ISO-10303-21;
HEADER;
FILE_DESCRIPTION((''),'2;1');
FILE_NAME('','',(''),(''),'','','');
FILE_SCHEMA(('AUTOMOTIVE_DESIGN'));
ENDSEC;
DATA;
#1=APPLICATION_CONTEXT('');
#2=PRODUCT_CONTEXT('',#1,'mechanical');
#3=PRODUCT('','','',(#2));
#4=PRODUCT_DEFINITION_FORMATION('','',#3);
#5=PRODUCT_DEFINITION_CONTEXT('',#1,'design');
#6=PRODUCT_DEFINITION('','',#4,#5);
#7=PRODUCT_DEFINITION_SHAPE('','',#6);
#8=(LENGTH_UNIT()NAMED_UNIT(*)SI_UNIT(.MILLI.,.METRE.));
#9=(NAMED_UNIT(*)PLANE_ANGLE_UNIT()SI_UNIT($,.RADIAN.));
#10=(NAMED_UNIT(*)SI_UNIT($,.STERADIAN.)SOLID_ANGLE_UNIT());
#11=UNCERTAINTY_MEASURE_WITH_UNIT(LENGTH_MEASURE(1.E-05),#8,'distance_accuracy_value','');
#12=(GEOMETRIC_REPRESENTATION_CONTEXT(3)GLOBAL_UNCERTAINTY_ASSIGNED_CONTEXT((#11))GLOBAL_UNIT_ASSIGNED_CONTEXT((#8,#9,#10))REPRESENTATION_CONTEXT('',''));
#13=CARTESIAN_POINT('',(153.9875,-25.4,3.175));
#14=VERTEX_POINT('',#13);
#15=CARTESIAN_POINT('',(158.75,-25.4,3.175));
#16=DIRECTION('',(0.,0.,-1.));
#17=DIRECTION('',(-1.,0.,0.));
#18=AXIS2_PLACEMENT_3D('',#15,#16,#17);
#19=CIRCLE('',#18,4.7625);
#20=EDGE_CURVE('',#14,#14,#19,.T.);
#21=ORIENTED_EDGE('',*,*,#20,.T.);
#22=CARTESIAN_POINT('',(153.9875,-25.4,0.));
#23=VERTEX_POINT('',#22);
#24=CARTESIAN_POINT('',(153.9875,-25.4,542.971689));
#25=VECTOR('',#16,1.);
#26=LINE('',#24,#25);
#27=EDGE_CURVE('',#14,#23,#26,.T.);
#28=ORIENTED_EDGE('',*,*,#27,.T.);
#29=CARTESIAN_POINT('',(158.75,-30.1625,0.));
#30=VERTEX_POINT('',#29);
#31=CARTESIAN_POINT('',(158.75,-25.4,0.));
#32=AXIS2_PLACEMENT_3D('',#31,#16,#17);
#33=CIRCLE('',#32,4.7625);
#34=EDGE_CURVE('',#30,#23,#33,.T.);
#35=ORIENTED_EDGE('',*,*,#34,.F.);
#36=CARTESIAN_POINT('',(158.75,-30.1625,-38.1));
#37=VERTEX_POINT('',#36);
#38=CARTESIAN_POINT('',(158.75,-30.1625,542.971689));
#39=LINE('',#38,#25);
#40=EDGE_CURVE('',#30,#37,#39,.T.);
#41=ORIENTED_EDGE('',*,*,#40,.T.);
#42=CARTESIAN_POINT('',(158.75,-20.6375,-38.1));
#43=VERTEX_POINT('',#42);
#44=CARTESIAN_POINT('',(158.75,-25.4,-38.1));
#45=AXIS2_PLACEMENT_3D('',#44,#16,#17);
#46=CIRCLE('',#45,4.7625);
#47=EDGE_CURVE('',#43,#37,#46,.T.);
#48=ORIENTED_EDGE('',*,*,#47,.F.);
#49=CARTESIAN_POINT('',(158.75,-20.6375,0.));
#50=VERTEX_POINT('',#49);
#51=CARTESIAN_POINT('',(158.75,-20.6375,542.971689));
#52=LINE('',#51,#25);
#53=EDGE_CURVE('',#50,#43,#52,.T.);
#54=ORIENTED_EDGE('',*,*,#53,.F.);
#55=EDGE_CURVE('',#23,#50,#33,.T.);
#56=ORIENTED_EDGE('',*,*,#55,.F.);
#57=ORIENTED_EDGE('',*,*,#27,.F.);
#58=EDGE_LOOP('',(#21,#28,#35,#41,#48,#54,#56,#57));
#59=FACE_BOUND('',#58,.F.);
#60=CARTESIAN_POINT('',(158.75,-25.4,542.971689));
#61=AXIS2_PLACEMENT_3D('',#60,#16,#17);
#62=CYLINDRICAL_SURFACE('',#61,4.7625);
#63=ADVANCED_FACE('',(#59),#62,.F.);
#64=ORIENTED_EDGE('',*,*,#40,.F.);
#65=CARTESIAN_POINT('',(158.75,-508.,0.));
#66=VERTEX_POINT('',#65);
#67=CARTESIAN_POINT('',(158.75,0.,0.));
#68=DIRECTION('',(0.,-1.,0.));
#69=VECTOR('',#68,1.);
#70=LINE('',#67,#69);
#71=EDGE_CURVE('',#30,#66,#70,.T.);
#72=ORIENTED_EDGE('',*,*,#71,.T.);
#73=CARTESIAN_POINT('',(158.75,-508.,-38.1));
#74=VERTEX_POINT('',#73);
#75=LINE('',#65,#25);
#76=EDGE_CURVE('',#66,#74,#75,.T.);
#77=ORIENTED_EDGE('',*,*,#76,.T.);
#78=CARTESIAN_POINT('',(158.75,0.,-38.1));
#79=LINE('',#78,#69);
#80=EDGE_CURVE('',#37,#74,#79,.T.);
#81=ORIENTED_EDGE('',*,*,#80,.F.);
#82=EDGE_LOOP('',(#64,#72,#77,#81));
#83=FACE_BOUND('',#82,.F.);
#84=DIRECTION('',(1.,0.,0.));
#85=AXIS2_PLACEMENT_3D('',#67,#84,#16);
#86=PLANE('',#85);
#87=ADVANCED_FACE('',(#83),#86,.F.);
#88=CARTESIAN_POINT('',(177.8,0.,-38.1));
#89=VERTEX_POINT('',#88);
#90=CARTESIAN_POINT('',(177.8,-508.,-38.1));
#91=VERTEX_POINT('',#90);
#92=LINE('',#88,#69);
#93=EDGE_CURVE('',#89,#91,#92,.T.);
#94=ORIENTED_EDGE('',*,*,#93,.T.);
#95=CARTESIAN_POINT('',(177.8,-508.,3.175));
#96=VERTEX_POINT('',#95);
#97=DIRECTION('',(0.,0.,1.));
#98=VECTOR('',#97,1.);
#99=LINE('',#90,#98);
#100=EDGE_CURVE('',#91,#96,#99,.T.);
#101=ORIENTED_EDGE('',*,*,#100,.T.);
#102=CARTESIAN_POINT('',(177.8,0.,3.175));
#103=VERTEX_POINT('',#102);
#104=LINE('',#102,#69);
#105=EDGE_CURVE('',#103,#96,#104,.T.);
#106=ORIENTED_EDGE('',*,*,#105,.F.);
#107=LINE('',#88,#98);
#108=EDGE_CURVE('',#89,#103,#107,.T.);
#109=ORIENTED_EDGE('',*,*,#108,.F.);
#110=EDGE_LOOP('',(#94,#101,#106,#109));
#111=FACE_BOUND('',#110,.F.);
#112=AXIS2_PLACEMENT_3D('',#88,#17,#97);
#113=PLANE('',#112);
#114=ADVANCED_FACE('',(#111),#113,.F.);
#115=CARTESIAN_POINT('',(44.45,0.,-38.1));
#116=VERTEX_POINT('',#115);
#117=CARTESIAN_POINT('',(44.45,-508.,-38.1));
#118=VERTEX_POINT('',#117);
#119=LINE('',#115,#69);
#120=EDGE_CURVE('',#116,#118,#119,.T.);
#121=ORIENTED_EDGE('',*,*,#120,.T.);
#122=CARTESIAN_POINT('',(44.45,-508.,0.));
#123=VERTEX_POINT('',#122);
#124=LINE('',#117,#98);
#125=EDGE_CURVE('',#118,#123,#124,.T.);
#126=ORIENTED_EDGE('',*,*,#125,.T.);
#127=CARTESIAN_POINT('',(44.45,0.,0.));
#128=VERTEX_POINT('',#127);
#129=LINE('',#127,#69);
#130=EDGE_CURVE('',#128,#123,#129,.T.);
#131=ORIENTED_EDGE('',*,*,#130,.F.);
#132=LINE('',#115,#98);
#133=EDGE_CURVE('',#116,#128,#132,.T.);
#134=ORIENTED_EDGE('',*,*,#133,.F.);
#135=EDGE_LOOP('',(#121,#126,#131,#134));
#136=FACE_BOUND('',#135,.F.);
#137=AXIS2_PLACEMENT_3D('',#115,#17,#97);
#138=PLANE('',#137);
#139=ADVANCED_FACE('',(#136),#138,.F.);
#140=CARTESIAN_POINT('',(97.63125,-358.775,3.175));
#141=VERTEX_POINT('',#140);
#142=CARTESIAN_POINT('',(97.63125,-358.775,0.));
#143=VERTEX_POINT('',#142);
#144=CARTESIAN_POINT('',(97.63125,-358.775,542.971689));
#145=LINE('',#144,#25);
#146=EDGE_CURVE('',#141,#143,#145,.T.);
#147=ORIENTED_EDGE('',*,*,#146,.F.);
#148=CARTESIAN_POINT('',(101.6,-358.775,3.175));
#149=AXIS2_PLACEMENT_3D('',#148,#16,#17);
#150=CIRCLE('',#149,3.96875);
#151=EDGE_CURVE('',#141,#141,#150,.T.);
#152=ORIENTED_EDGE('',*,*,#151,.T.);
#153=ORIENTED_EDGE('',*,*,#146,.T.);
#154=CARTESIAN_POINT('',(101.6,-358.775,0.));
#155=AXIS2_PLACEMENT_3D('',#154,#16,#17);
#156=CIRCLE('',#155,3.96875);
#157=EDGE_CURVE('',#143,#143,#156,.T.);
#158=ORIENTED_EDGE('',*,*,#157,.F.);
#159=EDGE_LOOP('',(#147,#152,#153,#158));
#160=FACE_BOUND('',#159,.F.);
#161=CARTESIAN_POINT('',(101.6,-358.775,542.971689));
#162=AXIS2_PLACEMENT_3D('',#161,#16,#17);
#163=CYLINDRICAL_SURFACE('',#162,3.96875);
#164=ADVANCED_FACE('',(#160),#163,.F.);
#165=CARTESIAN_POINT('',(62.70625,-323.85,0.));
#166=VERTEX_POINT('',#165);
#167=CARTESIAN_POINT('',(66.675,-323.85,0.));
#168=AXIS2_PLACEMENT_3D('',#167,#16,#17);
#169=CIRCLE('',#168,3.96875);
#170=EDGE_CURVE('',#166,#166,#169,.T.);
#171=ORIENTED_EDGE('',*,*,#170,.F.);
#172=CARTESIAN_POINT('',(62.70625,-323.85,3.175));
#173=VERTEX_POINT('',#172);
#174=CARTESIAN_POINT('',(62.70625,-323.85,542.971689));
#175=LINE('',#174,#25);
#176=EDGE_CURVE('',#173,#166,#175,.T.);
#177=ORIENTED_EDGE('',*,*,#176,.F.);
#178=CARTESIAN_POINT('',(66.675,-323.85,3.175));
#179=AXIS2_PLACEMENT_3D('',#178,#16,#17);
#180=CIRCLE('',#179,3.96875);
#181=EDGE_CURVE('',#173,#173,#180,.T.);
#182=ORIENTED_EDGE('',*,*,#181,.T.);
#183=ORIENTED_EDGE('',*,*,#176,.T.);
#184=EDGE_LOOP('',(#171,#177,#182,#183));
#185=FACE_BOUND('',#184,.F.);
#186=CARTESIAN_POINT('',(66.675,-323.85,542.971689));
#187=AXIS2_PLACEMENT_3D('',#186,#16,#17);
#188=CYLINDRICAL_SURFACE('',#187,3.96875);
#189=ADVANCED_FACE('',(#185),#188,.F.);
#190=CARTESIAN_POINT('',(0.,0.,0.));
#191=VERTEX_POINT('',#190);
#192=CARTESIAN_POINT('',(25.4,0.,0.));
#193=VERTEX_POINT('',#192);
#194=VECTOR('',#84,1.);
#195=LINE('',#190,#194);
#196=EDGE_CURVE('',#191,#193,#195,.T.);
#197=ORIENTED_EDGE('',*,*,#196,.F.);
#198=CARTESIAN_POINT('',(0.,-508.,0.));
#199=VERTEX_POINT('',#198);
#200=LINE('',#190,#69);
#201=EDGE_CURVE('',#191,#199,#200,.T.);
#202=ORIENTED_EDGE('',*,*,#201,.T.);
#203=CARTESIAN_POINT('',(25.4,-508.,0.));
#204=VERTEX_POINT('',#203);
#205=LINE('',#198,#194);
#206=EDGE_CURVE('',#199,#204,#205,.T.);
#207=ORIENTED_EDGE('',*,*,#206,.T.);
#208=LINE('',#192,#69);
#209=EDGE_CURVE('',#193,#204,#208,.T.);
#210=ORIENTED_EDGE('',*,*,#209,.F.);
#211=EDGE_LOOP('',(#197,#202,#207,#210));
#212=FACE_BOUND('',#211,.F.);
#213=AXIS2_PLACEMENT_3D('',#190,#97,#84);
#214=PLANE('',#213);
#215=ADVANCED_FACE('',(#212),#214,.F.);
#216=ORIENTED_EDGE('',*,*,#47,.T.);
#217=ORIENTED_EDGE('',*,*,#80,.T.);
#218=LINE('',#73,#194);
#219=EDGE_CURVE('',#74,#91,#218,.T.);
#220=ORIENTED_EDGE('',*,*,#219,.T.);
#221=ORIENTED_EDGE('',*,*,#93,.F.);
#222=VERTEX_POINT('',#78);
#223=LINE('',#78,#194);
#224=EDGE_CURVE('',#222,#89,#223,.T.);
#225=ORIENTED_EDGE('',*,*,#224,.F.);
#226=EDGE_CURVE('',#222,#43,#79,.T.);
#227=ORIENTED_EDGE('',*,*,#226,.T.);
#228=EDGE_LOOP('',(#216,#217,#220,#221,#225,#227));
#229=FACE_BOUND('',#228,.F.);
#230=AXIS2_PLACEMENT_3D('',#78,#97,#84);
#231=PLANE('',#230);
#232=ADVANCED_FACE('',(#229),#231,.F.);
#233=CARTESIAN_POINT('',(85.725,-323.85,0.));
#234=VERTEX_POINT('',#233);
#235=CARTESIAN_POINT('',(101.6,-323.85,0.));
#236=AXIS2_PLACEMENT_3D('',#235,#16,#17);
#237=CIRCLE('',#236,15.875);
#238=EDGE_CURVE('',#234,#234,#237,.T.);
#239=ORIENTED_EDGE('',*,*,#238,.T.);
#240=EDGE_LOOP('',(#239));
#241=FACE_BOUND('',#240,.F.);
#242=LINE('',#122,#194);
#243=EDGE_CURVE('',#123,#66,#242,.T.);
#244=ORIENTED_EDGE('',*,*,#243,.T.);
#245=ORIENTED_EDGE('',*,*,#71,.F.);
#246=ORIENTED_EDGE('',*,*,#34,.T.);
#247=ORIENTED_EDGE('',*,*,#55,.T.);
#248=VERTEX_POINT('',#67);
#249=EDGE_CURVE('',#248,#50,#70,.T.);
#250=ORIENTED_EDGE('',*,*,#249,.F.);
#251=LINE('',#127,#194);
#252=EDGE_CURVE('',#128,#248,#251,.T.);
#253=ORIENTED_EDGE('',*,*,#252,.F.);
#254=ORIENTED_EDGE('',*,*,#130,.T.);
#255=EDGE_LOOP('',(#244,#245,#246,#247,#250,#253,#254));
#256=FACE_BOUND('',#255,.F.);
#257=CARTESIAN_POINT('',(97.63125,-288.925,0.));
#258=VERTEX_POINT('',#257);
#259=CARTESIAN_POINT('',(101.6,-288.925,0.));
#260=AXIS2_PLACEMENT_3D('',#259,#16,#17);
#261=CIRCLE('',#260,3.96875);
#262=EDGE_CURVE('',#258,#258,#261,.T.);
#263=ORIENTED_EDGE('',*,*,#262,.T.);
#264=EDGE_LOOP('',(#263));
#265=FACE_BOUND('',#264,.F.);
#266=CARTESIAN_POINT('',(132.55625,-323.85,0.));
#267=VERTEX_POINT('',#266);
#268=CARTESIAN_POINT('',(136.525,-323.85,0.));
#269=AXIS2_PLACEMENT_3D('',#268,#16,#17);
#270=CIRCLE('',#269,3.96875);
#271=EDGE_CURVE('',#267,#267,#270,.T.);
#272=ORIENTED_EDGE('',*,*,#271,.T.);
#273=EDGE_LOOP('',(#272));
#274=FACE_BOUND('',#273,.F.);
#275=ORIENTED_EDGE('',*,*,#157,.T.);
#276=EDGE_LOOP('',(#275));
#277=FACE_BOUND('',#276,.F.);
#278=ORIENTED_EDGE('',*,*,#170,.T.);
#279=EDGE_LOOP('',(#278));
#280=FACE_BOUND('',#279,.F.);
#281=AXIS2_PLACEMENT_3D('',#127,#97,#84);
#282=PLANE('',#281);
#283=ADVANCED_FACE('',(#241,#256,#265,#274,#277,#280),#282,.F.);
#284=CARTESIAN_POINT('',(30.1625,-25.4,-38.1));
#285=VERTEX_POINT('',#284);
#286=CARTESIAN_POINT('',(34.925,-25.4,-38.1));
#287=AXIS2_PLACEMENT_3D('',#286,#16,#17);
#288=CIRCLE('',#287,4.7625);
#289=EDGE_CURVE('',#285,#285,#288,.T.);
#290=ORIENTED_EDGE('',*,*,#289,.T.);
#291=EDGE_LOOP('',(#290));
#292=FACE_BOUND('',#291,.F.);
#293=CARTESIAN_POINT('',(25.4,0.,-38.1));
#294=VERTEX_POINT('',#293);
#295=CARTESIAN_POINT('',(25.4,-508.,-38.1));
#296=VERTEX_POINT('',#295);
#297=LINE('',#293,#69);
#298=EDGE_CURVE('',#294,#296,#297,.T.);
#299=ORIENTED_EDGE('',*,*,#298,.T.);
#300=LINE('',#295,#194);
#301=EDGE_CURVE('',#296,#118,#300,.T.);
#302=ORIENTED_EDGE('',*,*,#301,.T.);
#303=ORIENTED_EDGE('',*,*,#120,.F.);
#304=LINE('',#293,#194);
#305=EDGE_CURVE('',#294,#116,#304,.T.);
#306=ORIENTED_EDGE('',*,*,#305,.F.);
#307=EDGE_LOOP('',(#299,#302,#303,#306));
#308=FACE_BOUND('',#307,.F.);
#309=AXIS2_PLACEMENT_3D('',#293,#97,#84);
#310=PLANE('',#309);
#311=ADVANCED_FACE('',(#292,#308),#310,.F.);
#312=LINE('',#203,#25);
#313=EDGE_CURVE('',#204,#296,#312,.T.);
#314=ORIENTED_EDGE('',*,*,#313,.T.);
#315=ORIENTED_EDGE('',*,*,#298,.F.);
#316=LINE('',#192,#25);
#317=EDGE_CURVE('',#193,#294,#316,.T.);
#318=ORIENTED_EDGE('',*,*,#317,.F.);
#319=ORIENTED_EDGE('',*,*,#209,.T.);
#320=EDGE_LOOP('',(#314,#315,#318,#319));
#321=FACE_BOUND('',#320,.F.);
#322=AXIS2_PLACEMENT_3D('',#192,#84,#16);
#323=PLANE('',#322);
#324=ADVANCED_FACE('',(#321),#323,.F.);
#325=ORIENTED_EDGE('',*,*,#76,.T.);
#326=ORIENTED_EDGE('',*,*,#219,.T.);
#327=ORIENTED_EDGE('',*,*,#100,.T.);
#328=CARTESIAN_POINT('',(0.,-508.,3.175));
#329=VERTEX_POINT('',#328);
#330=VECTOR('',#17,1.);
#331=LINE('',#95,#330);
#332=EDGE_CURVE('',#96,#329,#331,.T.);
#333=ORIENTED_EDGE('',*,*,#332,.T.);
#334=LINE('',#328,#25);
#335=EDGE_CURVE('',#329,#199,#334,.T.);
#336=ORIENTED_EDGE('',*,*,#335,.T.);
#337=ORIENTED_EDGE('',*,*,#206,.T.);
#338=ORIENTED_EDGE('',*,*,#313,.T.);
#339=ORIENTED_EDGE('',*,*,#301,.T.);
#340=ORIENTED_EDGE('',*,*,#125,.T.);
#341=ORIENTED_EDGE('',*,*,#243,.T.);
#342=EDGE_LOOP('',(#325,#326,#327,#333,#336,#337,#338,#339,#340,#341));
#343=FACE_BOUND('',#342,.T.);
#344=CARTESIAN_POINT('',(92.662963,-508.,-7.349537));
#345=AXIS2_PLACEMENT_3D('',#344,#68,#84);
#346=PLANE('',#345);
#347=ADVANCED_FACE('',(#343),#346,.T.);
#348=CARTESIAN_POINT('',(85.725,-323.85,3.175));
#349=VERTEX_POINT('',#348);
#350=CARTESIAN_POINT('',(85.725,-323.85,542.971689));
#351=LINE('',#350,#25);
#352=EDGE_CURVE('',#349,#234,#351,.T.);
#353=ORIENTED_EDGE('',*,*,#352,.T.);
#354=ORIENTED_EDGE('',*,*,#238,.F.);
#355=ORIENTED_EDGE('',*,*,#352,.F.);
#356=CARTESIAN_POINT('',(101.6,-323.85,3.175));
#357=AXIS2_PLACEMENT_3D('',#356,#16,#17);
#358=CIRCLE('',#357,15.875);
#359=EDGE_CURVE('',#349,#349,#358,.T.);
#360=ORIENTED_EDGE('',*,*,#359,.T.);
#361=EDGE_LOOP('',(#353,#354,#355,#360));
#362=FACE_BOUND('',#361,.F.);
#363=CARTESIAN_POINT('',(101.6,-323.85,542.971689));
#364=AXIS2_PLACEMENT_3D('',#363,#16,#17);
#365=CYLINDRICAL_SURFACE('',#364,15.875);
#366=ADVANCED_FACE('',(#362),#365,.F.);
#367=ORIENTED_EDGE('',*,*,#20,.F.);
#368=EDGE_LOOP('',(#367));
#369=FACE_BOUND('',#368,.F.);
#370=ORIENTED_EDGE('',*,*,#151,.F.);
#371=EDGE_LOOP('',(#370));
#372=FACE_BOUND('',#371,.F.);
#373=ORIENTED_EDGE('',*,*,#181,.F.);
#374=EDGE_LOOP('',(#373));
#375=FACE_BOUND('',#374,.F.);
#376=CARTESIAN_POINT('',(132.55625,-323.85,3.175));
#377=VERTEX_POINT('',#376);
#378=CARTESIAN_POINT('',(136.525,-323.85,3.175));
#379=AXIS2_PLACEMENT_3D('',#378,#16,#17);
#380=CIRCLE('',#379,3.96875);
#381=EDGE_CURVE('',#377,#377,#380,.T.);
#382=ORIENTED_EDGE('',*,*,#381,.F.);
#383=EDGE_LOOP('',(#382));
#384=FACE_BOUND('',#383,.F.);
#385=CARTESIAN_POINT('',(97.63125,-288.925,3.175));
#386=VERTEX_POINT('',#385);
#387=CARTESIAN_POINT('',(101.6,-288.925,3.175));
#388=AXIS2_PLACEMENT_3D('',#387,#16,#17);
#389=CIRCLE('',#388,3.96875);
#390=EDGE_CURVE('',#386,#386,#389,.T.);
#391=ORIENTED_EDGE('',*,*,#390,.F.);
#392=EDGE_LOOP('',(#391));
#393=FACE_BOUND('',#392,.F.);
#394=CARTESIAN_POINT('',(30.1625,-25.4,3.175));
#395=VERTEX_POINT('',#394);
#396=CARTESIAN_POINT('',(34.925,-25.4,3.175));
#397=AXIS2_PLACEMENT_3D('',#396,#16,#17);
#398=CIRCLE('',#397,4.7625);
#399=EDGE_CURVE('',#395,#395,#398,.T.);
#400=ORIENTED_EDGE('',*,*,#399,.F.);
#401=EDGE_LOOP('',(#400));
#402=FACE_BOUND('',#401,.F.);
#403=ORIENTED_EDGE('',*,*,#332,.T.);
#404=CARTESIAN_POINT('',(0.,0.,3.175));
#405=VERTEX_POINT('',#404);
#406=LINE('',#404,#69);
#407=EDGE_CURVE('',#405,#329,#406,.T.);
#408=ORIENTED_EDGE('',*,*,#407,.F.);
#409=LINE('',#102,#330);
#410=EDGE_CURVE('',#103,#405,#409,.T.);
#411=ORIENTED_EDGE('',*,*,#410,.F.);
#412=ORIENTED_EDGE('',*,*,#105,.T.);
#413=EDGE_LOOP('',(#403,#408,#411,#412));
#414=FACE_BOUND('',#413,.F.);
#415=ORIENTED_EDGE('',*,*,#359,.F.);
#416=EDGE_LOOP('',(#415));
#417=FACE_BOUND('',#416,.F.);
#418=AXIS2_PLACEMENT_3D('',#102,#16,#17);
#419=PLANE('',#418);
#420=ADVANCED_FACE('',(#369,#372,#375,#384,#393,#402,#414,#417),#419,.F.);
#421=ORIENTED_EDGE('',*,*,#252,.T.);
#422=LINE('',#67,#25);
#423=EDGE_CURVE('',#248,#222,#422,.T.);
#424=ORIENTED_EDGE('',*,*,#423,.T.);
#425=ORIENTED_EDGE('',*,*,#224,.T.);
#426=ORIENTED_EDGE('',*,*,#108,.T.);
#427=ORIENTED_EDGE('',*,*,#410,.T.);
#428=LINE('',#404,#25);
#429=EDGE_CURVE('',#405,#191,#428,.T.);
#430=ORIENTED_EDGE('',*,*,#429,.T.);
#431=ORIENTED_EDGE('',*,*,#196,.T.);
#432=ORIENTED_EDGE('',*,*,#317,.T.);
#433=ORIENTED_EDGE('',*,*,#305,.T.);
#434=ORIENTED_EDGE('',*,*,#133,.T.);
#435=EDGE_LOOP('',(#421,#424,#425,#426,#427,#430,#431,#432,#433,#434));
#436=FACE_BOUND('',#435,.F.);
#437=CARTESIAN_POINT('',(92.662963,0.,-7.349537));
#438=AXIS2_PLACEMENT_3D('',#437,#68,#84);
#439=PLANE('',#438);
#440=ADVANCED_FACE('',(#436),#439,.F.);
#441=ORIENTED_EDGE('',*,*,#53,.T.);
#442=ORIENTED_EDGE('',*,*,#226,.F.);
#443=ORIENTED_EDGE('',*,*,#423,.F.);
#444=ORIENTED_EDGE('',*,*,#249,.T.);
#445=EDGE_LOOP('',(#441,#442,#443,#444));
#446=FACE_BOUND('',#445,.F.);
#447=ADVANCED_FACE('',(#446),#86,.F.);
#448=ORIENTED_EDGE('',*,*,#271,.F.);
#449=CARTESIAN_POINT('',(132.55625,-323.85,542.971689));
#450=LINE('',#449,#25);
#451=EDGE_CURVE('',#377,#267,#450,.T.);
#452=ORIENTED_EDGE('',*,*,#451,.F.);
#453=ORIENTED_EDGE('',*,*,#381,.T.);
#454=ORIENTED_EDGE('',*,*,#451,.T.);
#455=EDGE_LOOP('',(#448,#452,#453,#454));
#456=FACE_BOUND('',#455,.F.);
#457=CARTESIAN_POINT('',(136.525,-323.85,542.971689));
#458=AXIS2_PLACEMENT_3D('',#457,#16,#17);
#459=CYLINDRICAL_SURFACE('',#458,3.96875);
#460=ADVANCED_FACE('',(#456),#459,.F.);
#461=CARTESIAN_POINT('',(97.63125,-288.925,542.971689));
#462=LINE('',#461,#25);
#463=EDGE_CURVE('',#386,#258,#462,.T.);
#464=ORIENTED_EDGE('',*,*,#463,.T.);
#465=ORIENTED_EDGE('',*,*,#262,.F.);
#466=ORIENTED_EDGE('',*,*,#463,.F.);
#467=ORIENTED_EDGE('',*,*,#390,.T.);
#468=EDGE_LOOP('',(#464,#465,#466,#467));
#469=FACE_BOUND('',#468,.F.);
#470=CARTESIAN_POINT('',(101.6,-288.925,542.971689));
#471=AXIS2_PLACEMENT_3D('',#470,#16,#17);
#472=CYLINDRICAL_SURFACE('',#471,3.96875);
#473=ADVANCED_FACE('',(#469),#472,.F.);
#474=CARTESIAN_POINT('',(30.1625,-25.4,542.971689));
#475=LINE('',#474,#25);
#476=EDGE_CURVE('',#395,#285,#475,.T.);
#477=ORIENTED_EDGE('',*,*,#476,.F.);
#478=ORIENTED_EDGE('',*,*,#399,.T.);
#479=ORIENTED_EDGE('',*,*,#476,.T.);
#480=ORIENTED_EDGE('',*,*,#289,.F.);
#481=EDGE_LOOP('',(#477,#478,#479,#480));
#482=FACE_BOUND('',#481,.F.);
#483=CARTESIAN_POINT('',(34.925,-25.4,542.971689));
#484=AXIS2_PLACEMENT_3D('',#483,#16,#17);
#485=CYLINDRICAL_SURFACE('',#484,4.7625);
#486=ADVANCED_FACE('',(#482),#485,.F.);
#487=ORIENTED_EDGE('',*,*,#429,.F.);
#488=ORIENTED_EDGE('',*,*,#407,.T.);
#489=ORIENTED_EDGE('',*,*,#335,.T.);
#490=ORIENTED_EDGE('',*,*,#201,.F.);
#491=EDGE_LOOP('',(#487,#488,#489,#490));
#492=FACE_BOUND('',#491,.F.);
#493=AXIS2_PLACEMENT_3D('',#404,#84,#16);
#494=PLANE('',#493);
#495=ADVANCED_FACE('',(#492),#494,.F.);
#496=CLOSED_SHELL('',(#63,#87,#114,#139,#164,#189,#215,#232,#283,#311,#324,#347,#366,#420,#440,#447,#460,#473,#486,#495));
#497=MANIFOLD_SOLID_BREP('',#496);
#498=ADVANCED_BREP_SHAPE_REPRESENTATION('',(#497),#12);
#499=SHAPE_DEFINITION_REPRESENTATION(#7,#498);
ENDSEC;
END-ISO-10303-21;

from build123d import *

# Parameters (mm, degrees)
F1_DEPTH = 508
F3_D     = 31.75
F5_D     = 7.9375
F7_D     = 9.525


with BuildPart() as f1:
    # F0 (on Front) → F1 (new body)
    with BuildSketch(Plane.XZ):
        Polygon((0, 3.175), (0, 0), (25.4, 0), (25.4, -38.1), (44.45, -38.1), (44.45, 0), (158.75, 0), (158.75, -38.1), (177.8, -38.1), (177.8, 0), (177.8, 3.175), align=None)
    extrude(amount=F1_DEPTH)

    # F3 (through all)
    with Locations(Plane.XY.offset(3.175)):
        with Locations((101.6, -323.85)):
            Hole(F3_D / 2)

    # F5 (through all)
    with Locations(Plane.XY.offset(3.175)):
        with Locations((101.6, -288.925), (136.525, -323.85), (101.6, -358.775), (66.675, -323.85)):
            Hole(F5_D / 2)

    # F7 (through all)
    with Locations(Plane.XY.offset(3.175)):
        with Locations((34.925, -25.4), (158.75, -25.4)):
            Hole(F7_D / 2)


solid = f1.part
